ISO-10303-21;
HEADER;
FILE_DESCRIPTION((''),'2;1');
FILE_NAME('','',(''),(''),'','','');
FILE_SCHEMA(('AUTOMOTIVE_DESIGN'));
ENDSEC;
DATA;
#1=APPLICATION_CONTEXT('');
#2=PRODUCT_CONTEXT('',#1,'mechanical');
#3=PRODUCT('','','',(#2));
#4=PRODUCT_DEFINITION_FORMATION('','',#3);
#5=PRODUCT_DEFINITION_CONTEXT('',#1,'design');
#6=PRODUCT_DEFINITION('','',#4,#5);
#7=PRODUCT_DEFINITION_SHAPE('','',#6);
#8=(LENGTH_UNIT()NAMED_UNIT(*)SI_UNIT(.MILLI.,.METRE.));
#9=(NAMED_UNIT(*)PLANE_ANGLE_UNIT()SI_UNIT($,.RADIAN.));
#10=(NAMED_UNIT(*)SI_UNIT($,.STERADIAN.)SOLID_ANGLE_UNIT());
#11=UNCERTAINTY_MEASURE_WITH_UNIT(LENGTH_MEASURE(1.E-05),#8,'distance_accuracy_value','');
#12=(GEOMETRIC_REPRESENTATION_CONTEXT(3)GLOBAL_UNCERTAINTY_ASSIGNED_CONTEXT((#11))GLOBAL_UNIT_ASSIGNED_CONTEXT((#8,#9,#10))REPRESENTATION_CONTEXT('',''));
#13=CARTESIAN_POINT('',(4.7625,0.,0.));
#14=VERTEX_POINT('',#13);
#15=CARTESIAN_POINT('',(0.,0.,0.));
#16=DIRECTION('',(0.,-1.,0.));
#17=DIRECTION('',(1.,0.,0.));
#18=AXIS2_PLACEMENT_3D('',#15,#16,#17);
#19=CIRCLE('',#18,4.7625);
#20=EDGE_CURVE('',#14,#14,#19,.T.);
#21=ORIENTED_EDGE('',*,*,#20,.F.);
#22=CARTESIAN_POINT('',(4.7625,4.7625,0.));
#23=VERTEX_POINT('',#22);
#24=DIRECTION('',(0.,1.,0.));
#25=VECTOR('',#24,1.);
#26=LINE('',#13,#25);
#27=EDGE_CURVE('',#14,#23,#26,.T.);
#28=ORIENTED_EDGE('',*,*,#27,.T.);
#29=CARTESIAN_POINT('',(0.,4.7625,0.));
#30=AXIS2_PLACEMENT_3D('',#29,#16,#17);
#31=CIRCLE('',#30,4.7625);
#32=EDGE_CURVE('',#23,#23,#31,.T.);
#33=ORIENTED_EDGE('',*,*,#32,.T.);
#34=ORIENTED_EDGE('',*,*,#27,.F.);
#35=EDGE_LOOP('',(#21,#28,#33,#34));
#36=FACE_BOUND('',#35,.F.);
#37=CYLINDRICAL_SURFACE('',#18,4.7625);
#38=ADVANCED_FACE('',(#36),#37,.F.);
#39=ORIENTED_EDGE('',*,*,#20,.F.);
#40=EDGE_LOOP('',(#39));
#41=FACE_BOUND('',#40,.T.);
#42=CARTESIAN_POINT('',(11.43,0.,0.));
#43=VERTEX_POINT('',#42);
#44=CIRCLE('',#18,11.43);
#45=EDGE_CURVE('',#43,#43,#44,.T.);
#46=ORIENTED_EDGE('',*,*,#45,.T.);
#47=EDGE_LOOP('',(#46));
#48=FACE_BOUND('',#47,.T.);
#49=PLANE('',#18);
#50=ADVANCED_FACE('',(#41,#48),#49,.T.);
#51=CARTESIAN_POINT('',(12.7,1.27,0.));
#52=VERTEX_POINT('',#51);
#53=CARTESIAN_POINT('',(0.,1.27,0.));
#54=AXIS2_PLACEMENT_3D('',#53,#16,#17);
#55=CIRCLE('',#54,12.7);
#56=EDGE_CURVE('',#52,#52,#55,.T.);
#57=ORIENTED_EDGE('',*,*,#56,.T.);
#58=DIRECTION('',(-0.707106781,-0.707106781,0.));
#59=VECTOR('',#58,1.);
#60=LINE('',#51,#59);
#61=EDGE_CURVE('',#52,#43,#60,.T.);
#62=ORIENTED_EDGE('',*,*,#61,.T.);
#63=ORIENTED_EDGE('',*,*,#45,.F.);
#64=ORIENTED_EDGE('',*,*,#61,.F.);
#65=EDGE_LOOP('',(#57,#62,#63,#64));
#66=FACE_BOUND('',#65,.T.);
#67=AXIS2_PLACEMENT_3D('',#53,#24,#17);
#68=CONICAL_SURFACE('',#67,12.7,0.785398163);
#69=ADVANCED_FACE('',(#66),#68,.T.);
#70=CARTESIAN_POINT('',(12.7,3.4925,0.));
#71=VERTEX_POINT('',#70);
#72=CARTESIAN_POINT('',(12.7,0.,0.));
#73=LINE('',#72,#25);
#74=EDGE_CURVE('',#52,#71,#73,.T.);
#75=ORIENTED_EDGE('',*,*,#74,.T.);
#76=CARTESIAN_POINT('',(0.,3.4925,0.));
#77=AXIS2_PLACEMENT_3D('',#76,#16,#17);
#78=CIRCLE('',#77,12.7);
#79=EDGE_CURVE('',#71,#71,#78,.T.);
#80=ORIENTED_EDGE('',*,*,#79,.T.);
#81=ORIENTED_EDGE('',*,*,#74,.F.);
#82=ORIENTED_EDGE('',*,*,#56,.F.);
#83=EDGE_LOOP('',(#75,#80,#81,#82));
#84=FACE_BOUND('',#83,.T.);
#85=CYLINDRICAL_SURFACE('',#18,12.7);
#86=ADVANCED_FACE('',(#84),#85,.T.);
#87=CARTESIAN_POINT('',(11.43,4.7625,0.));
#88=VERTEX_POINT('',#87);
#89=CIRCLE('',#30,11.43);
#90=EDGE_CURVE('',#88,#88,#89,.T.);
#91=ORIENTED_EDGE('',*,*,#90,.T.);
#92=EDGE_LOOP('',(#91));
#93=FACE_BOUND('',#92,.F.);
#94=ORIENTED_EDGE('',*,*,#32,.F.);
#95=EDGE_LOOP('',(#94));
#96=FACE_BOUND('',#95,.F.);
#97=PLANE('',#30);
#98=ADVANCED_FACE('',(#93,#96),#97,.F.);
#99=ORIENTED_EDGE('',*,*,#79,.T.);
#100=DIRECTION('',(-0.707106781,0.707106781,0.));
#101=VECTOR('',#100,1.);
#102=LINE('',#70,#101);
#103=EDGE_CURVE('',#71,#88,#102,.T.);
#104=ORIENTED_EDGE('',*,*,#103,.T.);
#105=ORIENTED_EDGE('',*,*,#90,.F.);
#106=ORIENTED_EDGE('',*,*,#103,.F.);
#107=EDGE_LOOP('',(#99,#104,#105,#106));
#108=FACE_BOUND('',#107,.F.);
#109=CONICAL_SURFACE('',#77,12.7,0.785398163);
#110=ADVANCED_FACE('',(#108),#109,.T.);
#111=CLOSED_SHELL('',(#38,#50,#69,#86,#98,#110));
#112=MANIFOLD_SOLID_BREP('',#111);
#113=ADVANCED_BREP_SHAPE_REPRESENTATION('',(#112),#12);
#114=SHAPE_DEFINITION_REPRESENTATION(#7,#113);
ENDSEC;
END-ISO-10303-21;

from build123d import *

# Parameters (mm, degrees)
F0_R     = 12.7
F0_R_2   = 4.7625
F1_DEPTH = 4.7625
F2_SIZE  = 1.27


with BuildPart() as f1:
    # F0 (on Front) → F1 (new body)
    with BuildSketch(Plane.XZ):
        Circle(F0_R)
        Circle(F0_R_2, mode=Mode.SUBTRACT)
    extrude(amount=-F1_DEPTH)

    # F2
    f2_edges = [f1.edges().sort_by_distance(p)[0] for p in [
        (-12.7, 0, 0),
        (-12.7, 4.7625, 0),
    ]]
    chamfer(f2_edges, length=F2_SIZE)


solid = f1.part
